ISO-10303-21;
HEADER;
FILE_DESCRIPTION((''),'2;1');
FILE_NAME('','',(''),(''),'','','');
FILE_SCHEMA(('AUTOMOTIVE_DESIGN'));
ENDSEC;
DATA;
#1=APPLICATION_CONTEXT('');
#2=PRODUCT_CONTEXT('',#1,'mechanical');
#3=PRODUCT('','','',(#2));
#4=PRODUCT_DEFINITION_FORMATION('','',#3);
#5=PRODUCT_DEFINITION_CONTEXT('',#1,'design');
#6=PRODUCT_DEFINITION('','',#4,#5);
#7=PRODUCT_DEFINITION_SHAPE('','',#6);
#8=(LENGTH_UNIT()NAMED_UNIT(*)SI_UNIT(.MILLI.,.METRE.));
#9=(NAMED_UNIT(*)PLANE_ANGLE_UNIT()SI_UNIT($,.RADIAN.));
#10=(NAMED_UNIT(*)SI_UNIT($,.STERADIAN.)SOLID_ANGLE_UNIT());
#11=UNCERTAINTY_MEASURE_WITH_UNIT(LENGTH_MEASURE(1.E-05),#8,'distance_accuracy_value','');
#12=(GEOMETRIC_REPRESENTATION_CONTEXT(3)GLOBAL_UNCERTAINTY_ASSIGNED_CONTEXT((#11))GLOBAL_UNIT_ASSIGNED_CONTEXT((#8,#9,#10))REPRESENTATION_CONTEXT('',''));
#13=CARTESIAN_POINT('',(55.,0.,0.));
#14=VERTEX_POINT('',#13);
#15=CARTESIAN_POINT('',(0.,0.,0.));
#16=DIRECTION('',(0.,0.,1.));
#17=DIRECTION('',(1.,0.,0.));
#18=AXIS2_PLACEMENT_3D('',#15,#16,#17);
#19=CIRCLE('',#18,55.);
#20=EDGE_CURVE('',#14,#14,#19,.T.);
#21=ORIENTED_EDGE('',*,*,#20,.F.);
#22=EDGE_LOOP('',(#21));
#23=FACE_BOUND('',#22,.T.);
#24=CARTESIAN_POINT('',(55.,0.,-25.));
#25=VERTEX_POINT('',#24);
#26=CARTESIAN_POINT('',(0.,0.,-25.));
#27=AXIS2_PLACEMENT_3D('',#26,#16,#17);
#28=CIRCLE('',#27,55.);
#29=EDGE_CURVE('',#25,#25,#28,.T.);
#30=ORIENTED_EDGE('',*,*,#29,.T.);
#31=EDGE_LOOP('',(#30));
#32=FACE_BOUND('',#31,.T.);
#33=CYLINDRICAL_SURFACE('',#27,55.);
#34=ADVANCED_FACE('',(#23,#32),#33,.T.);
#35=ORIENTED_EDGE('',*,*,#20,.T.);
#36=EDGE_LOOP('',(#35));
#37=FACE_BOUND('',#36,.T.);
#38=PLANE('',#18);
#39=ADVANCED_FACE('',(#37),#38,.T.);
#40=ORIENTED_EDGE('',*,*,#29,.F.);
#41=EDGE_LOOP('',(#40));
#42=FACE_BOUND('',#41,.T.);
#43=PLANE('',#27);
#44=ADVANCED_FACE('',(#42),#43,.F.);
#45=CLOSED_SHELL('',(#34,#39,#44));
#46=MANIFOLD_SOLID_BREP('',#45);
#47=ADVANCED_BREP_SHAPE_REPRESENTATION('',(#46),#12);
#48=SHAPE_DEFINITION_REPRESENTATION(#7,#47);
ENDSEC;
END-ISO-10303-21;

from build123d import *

# Parameters (mm, degrees)
SKETCH_1_R      = 55
EXTRUDE_1_DEPTH = 25


with BuildPart() as part:
    # 草图1 → 凸台-拉伸1 (new body)
    with BuildSketch(Plane.XY):
        Circle(SKETCH_1_R)
    extrude(amount=-EXTRUDE_1_DEPTH)


solid = part.part
